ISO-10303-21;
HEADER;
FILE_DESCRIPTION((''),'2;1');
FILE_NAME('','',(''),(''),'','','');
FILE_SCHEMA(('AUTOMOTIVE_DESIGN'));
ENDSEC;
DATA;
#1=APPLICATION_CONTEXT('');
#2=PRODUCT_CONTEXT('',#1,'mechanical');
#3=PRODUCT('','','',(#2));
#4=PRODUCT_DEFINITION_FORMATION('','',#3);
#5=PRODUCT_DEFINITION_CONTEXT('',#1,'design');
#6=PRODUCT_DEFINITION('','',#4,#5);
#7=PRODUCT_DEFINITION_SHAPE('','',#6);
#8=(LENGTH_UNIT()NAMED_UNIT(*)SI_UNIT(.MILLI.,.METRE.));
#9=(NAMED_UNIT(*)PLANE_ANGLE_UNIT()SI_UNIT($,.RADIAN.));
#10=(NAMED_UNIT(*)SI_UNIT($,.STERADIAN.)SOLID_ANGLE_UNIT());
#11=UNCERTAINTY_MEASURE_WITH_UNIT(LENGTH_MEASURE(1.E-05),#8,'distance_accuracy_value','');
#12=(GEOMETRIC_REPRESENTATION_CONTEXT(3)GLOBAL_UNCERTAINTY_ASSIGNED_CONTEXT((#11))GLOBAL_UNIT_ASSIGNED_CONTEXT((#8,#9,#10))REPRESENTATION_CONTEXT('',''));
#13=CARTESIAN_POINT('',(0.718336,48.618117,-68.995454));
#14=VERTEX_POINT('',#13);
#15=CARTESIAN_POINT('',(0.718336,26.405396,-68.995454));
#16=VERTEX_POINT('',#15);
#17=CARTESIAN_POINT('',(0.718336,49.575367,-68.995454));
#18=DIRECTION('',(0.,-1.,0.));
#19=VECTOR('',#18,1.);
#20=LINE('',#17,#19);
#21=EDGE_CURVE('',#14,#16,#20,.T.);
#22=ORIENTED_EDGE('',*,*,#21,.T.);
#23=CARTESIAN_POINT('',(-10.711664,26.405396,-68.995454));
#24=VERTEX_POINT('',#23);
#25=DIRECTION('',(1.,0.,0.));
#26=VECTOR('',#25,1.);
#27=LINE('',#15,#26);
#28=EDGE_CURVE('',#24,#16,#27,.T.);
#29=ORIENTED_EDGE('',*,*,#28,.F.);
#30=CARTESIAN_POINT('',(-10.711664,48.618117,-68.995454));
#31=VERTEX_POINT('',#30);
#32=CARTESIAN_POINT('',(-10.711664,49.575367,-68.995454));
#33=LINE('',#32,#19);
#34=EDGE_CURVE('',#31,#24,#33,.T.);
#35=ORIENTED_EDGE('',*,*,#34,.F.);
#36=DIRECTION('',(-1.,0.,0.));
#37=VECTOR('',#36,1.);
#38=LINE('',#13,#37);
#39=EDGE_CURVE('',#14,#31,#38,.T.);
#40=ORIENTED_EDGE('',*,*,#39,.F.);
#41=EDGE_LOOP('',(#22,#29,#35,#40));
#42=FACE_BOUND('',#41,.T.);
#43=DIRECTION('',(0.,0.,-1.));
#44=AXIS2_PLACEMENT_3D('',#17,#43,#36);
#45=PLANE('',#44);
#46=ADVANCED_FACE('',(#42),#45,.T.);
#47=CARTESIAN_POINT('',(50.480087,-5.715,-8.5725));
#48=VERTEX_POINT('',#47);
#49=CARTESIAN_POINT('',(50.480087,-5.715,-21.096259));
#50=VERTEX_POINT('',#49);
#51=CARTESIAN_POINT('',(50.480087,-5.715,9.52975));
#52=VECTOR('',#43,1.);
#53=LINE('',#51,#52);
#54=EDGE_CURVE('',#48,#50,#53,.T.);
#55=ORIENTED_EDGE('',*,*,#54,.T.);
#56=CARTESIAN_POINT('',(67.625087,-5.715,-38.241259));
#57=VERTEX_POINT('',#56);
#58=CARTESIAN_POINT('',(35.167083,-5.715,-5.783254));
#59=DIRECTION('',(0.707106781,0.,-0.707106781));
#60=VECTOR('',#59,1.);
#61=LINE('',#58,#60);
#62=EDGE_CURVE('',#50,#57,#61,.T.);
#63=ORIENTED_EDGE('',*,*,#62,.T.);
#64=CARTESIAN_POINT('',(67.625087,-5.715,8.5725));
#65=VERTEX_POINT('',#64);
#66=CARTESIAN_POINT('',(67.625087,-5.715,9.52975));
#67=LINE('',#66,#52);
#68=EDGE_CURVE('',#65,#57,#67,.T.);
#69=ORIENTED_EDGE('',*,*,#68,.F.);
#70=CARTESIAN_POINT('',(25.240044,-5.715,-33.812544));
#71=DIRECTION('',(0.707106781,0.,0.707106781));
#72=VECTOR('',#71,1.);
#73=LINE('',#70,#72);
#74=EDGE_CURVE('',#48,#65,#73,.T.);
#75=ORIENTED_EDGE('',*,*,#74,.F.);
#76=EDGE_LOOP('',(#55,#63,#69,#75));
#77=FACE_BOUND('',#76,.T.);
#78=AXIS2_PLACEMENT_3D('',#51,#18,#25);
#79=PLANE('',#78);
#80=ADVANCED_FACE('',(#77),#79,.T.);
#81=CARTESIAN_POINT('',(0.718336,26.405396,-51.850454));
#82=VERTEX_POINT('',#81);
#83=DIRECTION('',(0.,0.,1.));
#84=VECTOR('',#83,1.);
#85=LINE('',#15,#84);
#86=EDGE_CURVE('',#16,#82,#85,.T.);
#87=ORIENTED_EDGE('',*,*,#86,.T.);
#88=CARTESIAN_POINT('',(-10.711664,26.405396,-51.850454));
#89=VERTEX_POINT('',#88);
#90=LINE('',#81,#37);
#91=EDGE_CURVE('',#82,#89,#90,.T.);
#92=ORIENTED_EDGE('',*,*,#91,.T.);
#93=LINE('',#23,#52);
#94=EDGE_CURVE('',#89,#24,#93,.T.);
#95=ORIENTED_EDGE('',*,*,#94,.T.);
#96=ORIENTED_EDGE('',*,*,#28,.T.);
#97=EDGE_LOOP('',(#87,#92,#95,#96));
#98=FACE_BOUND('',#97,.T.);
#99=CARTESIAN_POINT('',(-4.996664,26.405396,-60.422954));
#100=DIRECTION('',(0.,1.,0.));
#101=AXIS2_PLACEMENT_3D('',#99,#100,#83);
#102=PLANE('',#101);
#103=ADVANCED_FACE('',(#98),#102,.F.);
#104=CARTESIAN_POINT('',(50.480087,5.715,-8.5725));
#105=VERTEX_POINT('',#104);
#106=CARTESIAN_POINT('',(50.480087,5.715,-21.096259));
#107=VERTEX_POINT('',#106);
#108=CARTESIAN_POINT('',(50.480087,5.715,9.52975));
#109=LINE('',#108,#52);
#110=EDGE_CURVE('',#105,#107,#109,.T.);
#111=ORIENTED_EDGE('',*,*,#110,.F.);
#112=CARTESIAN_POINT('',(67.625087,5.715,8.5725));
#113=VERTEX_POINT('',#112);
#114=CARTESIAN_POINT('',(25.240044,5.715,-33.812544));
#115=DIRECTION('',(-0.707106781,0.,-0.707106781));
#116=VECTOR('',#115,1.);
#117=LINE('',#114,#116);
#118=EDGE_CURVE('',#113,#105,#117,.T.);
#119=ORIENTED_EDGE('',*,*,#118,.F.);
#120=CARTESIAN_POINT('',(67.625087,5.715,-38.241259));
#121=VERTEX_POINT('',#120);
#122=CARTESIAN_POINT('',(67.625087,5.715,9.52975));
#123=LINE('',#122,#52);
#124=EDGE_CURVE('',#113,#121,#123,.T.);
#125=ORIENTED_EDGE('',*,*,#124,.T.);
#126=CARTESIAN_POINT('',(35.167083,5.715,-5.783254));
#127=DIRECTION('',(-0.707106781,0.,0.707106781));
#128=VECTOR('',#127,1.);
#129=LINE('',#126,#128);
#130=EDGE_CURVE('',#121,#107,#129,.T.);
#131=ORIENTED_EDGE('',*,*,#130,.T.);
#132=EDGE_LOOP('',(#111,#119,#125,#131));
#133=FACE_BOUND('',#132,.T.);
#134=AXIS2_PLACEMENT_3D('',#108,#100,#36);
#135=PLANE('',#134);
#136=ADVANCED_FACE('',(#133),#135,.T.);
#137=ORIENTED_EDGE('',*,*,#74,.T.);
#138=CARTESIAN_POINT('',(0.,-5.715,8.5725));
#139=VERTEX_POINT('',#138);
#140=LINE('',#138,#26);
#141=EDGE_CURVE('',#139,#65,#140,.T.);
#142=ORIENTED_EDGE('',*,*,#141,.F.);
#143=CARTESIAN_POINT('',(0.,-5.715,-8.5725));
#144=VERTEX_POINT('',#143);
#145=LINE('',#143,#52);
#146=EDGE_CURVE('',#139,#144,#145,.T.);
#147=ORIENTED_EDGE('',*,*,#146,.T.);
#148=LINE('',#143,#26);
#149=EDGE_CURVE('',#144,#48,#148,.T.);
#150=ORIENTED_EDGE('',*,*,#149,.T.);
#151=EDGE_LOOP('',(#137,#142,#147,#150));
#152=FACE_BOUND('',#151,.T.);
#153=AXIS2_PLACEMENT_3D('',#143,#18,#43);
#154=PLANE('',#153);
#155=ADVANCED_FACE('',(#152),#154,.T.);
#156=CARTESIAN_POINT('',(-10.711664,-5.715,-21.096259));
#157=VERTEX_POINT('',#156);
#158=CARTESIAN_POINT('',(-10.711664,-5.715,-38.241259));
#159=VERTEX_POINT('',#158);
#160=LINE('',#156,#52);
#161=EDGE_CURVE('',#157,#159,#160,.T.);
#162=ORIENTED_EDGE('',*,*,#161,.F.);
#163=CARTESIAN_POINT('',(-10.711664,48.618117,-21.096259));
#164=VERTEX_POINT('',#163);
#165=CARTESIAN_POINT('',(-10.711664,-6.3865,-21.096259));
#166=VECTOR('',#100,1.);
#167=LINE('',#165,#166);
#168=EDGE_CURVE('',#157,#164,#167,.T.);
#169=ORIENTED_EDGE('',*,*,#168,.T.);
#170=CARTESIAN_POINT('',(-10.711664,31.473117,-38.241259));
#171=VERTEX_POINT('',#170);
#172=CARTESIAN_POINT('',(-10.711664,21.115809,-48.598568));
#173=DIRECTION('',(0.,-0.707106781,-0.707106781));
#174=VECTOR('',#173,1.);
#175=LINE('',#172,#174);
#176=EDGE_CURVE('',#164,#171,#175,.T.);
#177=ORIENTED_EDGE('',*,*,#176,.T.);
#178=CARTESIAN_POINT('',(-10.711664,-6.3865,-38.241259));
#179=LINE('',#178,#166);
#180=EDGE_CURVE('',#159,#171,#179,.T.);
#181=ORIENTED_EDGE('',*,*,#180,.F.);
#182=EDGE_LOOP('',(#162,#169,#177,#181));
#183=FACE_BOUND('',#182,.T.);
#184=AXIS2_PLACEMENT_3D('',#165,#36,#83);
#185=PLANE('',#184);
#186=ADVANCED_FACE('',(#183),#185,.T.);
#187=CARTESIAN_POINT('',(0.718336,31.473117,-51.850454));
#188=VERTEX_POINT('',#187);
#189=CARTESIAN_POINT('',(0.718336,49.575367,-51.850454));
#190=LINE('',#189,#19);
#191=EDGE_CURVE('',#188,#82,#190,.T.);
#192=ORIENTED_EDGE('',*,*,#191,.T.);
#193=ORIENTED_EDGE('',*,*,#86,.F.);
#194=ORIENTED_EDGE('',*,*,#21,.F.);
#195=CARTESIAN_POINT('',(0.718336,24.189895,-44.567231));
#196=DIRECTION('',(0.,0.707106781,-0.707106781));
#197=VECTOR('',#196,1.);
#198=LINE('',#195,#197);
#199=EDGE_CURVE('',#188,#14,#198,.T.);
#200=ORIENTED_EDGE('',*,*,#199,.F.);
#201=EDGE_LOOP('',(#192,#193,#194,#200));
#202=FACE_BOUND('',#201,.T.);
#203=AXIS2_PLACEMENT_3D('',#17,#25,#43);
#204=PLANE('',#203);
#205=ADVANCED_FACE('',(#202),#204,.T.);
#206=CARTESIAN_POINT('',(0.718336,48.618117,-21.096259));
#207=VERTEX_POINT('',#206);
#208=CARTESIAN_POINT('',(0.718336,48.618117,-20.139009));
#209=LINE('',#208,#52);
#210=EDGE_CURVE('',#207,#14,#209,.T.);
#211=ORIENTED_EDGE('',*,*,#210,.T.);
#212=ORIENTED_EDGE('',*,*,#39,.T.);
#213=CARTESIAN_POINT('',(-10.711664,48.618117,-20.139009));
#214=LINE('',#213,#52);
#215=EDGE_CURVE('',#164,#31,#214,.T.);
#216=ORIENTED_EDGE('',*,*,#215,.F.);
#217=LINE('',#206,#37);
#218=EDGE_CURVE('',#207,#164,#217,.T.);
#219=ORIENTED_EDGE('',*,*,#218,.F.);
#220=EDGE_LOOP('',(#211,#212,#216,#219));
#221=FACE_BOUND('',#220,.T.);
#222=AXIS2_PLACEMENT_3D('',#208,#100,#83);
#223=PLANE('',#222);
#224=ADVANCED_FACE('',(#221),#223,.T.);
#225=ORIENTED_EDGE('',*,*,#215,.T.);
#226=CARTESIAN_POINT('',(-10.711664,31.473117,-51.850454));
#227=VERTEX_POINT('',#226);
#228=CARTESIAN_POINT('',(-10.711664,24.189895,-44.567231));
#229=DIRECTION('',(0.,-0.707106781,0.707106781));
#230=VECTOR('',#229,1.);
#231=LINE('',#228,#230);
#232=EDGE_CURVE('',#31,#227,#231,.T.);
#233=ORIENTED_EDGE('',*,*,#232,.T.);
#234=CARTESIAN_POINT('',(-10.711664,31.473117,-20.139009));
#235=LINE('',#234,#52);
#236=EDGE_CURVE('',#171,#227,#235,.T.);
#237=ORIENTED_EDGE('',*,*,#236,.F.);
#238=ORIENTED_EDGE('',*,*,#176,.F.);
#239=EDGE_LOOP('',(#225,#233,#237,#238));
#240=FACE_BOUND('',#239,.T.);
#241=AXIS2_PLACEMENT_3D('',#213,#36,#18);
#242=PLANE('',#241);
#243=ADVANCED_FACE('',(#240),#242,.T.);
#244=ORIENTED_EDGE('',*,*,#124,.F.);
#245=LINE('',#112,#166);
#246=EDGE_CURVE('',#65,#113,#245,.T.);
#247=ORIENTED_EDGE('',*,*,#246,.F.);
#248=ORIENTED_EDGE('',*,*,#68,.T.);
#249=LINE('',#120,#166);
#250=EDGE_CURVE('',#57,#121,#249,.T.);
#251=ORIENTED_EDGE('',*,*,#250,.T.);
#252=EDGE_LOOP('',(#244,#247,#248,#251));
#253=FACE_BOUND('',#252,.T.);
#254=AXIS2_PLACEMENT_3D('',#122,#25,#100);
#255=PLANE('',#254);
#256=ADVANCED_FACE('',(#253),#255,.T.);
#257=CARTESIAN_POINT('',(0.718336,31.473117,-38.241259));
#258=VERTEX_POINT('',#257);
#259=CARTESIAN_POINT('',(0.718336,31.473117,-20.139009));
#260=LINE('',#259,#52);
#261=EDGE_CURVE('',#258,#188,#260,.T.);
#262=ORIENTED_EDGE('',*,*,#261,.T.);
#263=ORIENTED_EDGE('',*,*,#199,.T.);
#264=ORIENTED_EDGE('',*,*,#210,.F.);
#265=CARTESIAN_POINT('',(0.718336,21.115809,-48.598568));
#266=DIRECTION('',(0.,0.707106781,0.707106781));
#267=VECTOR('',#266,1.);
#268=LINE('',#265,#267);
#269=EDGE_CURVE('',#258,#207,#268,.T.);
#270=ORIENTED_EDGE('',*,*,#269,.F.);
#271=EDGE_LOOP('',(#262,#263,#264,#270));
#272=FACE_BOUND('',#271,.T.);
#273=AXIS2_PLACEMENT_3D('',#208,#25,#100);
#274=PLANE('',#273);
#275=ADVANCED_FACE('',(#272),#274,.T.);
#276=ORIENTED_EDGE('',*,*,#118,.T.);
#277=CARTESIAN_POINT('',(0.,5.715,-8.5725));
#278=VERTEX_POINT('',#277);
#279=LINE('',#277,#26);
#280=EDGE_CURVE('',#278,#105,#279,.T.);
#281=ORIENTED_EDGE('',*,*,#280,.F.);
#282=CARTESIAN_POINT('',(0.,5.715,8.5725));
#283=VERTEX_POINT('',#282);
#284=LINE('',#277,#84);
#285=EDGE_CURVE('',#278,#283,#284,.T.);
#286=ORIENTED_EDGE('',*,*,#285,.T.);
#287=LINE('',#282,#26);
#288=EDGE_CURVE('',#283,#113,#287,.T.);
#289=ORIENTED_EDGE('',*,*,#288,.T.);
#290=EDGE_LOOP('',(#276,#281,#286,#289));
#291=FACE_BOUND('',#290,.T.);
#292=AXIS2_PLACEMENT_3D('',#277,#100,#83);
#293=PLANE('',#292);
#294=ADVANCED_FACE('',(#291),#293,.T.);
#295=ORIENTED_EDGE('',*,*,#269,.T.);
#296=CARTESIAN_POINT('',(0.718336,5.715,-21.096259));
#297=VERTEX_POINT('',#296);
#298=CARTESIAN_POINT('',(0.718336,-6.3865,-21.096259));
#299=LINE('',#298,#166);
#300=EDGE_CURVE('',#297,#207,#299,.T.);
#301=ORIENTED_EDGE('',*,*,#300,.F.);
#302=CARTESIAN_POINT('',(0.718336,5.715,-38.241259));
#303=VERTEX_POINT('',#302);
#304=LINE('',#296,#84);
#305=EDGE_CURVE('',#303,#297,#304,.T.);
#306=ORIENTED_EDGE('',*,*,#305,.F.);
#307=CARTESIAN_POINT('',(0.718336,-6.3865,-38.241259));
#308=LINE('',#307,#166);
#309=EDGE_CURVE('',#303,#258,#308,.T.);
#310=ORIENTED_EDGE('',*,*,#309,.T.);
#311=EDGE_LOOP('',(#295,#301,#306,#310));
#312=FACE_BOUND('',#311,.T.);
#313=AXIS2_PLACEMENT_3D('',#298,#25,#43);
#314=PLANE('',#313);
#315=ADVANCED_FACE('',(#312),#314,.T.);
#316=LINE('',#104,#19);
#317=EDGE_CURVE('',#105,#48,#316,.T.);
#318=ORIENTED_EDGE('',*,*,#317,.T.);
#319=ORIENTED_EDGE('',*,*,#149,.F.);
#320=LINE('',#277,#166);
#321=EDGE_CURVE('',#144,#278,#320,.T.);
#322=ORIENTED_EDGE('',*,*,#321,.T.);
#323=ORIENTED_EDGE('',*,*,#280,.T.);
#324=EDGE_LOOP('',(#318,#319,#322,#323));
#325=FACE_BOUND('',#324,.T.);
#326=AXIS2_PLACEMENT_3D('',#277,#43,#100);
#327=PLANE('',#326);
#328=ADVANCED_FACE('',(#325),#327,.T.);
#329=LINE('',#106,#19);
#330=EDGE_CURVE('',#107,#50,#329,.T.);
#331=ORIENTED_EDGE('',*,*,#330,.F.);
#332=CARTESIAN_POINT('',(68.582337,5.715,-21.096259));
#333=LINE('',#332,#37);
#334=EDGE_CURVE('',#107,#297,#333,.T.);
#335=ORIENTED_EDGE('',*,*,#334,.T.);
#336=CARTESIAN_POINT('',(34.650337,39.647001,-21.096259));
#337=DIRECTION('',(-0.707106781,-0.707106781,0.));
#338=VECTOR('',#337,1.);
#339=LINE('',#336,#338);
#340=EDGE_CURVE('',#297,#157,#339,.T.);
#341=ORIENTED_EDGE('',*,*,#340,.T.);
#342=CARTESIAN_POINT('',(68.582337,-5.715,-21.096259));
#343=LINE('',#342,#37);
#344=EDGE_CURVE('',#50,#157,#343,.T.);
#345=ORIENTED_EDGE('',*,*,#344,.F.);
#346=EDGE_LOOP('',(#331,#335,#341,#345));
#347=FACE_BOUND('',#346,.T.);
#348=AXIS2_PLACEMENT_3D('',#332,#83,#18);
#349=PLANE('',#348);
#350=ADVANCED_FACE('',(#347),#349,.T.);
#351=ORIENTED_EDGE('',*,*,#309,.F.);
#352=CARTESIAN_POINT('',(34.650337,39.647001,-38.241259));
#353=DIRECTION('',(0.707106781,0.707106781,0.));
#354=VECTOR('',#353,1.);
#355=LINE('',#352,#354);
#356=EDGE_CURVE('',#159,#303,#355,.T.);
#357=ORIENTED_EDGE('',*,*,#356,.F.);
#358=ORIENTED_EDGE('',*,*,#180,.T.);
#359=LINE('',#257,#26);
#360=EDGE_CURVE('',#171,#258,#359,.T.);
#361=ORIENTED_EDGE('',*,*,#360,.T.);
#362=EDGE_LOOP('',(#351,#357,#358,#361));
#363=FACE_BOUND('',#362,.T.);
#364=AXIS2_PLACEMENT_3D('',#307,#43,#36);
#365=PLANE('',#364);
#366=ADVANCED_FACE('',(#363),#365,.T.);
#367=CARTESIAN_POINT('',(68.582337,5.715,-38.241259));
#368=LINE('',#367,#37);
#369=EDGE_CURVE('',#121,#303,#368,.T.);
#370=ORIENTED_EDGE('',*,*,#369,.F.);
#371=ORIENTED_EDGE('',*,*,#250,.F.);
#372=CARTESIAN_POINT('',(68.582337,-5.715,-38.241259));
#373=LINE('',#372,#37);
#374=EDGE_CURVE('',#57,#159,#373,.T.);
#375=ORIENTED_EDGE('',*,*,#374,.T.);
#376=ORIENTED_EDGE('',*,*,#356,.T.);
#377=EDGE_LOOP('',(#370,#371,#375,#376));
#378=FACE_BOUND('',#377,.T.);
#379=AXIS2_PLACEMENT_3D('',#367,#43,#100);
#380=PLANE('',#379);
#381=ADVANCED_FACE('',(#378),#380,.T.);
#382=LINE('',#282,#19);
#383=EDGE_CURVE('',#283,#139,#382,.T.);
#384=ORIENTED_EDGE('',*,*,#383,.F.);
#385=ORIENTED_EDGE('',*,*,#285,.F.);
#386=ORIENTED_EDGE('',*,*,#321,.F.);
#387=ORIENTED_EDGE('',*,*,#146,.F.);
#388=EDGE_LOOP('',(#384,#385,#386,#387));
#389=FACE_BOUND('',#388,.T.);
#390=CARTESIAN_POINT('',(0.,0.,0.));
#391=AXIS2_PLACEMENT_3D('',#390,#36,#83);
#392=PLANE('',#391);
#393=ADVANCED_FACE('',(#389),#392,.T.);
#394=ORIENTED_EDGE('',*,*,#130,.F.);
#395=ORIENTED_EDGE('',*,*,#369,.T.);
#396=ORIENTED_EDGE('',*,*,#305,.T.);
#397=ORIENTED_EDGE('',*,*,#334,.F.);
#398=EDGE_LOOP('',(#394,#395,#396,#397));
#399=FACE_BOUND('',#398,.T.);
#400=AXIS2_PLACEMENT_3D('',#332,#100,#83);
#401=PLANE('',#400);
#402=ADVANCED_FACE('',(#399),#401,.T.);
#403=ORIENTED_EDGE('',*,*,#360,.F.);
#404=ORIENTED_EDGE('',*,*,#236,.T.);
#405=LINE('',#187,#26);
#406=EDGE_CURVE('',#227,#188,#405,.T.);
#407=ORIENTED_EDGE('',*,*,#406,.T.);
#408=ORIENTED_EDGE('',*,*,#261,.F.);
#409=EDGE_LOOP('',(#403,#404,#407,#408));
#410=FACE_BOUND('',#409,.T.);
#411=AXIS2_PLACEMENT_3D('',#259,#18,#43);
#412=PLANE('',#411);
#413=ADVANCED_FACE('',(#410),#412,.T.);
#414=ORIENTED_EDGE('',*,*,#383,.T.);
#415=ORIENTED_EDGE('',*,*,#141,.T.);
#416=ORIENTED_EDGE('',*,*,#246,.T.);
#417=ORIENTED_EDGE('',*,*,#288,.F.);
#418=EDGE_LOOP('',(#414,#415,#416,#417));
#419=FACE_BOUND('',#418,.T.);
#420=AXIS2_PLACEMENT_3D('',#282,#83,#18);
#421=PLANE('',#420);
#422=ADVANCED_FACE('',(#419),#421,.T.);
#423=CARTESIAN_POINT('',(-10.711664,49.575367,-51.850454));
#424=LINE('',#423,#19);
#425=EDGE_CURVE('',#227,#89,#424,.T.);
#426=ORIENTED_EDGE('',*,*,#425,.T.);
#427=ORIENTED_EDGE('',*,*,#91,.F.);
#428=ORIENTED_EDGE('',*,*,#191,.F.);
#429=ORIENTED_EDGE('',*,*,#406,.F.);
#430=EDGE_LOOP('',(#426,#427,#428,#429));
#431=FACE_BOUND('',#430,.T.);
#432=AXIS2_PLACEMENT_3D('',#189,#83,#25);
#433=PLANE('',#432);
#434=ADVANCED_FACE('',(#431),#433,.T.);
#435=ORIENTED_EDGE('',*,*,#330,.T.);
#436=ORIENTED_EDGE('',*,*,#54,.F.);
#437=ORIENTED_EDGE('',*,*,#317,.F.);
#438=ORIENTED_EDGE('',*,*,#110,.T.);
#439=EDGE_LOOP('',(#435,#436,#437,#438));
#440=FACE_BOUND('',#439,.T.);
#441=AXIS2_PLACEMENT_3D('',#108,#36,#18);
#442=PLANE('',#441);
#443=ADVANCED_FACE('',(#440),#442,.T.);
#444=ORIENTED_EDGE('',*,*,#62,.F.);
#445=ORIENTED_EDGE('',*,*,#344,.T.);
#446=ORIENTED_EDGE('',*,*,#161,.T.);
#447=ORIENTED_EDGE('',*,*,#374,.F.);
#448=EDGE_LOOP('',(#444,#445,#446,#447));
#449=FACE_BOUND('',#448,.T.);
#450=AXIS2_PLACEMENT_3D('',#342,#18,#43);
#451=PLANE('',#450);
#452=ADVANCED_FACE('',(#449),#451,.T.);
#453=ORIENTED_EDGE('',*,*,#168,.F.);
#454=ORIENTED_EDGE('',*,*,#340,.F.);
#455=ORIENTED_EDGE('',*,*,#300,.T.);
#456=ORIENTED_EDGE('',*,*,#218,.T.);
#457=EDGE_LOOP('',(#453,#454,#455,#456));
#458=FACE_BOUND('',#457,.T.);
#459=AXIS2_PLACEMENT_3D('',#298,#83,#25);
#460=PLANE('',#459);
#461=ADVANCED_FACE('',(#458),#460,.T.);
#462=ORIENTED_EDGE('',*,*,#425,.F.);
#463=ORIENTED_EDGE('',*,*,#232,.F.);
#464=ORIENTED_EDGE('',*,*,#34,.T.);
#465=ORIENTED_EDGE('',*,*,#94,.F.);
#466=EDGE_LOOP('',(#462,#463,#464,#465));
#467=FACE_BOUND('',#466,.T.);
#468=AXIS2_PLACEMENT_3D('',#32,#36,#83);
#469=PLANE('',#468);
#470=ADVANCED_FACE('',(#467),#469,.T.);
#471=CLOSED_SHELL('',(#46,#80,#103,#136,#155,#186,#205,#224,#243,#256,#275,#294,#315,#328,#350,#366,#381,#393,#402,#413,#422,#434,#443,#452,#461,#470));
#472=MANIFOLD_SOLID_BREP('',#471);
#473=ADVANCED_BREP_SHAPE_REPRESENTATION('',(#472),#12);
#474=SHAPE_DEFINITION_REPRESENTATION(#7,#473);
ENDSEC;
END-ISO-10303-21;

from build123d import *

# Parameters (mm, degrees)
SKETCH2_W = 17.145
SKETCH2_H = 11.43


with BuildPart() as part:
    # Sweep1: sweep along a curve in space
    with BuildLine() as sweep1_path:
        Line((0, 0, 0), (59.052587147, 0, 0))
        Line((59.052587147, 0, 0), (59.052587147, 0, -29.66875879))
        Line((59.052587147, 0, -29.66875879), (-4.996664108, 0, -29.66875879))
        Line((-4.996664108, 0, -29.66875879), (-4.996664108, 40.045617421, -29.66875879))
        Line((-4.996664108, 40.045617421, -29.66875879), (-4.996664108, 40.045617421, -60.422953943))
        Line((-4.996664108, 40.045617421, -60.422953943), (-4.996664108, 26.405396034, -60.422953943))
    # Sketch2 → Sweep1 (sweep)
    with BuildSketch(Plane(origin=(0, 0, 0), x_dir=(0, 0, -1), z_dir=(1, 0, 0))):
        Rectangle(SKETCH2_W, SKETCH2_H)
    sweep(path=sweep1_path.line, transition=Transition.RIGHT)


solid = part.part
